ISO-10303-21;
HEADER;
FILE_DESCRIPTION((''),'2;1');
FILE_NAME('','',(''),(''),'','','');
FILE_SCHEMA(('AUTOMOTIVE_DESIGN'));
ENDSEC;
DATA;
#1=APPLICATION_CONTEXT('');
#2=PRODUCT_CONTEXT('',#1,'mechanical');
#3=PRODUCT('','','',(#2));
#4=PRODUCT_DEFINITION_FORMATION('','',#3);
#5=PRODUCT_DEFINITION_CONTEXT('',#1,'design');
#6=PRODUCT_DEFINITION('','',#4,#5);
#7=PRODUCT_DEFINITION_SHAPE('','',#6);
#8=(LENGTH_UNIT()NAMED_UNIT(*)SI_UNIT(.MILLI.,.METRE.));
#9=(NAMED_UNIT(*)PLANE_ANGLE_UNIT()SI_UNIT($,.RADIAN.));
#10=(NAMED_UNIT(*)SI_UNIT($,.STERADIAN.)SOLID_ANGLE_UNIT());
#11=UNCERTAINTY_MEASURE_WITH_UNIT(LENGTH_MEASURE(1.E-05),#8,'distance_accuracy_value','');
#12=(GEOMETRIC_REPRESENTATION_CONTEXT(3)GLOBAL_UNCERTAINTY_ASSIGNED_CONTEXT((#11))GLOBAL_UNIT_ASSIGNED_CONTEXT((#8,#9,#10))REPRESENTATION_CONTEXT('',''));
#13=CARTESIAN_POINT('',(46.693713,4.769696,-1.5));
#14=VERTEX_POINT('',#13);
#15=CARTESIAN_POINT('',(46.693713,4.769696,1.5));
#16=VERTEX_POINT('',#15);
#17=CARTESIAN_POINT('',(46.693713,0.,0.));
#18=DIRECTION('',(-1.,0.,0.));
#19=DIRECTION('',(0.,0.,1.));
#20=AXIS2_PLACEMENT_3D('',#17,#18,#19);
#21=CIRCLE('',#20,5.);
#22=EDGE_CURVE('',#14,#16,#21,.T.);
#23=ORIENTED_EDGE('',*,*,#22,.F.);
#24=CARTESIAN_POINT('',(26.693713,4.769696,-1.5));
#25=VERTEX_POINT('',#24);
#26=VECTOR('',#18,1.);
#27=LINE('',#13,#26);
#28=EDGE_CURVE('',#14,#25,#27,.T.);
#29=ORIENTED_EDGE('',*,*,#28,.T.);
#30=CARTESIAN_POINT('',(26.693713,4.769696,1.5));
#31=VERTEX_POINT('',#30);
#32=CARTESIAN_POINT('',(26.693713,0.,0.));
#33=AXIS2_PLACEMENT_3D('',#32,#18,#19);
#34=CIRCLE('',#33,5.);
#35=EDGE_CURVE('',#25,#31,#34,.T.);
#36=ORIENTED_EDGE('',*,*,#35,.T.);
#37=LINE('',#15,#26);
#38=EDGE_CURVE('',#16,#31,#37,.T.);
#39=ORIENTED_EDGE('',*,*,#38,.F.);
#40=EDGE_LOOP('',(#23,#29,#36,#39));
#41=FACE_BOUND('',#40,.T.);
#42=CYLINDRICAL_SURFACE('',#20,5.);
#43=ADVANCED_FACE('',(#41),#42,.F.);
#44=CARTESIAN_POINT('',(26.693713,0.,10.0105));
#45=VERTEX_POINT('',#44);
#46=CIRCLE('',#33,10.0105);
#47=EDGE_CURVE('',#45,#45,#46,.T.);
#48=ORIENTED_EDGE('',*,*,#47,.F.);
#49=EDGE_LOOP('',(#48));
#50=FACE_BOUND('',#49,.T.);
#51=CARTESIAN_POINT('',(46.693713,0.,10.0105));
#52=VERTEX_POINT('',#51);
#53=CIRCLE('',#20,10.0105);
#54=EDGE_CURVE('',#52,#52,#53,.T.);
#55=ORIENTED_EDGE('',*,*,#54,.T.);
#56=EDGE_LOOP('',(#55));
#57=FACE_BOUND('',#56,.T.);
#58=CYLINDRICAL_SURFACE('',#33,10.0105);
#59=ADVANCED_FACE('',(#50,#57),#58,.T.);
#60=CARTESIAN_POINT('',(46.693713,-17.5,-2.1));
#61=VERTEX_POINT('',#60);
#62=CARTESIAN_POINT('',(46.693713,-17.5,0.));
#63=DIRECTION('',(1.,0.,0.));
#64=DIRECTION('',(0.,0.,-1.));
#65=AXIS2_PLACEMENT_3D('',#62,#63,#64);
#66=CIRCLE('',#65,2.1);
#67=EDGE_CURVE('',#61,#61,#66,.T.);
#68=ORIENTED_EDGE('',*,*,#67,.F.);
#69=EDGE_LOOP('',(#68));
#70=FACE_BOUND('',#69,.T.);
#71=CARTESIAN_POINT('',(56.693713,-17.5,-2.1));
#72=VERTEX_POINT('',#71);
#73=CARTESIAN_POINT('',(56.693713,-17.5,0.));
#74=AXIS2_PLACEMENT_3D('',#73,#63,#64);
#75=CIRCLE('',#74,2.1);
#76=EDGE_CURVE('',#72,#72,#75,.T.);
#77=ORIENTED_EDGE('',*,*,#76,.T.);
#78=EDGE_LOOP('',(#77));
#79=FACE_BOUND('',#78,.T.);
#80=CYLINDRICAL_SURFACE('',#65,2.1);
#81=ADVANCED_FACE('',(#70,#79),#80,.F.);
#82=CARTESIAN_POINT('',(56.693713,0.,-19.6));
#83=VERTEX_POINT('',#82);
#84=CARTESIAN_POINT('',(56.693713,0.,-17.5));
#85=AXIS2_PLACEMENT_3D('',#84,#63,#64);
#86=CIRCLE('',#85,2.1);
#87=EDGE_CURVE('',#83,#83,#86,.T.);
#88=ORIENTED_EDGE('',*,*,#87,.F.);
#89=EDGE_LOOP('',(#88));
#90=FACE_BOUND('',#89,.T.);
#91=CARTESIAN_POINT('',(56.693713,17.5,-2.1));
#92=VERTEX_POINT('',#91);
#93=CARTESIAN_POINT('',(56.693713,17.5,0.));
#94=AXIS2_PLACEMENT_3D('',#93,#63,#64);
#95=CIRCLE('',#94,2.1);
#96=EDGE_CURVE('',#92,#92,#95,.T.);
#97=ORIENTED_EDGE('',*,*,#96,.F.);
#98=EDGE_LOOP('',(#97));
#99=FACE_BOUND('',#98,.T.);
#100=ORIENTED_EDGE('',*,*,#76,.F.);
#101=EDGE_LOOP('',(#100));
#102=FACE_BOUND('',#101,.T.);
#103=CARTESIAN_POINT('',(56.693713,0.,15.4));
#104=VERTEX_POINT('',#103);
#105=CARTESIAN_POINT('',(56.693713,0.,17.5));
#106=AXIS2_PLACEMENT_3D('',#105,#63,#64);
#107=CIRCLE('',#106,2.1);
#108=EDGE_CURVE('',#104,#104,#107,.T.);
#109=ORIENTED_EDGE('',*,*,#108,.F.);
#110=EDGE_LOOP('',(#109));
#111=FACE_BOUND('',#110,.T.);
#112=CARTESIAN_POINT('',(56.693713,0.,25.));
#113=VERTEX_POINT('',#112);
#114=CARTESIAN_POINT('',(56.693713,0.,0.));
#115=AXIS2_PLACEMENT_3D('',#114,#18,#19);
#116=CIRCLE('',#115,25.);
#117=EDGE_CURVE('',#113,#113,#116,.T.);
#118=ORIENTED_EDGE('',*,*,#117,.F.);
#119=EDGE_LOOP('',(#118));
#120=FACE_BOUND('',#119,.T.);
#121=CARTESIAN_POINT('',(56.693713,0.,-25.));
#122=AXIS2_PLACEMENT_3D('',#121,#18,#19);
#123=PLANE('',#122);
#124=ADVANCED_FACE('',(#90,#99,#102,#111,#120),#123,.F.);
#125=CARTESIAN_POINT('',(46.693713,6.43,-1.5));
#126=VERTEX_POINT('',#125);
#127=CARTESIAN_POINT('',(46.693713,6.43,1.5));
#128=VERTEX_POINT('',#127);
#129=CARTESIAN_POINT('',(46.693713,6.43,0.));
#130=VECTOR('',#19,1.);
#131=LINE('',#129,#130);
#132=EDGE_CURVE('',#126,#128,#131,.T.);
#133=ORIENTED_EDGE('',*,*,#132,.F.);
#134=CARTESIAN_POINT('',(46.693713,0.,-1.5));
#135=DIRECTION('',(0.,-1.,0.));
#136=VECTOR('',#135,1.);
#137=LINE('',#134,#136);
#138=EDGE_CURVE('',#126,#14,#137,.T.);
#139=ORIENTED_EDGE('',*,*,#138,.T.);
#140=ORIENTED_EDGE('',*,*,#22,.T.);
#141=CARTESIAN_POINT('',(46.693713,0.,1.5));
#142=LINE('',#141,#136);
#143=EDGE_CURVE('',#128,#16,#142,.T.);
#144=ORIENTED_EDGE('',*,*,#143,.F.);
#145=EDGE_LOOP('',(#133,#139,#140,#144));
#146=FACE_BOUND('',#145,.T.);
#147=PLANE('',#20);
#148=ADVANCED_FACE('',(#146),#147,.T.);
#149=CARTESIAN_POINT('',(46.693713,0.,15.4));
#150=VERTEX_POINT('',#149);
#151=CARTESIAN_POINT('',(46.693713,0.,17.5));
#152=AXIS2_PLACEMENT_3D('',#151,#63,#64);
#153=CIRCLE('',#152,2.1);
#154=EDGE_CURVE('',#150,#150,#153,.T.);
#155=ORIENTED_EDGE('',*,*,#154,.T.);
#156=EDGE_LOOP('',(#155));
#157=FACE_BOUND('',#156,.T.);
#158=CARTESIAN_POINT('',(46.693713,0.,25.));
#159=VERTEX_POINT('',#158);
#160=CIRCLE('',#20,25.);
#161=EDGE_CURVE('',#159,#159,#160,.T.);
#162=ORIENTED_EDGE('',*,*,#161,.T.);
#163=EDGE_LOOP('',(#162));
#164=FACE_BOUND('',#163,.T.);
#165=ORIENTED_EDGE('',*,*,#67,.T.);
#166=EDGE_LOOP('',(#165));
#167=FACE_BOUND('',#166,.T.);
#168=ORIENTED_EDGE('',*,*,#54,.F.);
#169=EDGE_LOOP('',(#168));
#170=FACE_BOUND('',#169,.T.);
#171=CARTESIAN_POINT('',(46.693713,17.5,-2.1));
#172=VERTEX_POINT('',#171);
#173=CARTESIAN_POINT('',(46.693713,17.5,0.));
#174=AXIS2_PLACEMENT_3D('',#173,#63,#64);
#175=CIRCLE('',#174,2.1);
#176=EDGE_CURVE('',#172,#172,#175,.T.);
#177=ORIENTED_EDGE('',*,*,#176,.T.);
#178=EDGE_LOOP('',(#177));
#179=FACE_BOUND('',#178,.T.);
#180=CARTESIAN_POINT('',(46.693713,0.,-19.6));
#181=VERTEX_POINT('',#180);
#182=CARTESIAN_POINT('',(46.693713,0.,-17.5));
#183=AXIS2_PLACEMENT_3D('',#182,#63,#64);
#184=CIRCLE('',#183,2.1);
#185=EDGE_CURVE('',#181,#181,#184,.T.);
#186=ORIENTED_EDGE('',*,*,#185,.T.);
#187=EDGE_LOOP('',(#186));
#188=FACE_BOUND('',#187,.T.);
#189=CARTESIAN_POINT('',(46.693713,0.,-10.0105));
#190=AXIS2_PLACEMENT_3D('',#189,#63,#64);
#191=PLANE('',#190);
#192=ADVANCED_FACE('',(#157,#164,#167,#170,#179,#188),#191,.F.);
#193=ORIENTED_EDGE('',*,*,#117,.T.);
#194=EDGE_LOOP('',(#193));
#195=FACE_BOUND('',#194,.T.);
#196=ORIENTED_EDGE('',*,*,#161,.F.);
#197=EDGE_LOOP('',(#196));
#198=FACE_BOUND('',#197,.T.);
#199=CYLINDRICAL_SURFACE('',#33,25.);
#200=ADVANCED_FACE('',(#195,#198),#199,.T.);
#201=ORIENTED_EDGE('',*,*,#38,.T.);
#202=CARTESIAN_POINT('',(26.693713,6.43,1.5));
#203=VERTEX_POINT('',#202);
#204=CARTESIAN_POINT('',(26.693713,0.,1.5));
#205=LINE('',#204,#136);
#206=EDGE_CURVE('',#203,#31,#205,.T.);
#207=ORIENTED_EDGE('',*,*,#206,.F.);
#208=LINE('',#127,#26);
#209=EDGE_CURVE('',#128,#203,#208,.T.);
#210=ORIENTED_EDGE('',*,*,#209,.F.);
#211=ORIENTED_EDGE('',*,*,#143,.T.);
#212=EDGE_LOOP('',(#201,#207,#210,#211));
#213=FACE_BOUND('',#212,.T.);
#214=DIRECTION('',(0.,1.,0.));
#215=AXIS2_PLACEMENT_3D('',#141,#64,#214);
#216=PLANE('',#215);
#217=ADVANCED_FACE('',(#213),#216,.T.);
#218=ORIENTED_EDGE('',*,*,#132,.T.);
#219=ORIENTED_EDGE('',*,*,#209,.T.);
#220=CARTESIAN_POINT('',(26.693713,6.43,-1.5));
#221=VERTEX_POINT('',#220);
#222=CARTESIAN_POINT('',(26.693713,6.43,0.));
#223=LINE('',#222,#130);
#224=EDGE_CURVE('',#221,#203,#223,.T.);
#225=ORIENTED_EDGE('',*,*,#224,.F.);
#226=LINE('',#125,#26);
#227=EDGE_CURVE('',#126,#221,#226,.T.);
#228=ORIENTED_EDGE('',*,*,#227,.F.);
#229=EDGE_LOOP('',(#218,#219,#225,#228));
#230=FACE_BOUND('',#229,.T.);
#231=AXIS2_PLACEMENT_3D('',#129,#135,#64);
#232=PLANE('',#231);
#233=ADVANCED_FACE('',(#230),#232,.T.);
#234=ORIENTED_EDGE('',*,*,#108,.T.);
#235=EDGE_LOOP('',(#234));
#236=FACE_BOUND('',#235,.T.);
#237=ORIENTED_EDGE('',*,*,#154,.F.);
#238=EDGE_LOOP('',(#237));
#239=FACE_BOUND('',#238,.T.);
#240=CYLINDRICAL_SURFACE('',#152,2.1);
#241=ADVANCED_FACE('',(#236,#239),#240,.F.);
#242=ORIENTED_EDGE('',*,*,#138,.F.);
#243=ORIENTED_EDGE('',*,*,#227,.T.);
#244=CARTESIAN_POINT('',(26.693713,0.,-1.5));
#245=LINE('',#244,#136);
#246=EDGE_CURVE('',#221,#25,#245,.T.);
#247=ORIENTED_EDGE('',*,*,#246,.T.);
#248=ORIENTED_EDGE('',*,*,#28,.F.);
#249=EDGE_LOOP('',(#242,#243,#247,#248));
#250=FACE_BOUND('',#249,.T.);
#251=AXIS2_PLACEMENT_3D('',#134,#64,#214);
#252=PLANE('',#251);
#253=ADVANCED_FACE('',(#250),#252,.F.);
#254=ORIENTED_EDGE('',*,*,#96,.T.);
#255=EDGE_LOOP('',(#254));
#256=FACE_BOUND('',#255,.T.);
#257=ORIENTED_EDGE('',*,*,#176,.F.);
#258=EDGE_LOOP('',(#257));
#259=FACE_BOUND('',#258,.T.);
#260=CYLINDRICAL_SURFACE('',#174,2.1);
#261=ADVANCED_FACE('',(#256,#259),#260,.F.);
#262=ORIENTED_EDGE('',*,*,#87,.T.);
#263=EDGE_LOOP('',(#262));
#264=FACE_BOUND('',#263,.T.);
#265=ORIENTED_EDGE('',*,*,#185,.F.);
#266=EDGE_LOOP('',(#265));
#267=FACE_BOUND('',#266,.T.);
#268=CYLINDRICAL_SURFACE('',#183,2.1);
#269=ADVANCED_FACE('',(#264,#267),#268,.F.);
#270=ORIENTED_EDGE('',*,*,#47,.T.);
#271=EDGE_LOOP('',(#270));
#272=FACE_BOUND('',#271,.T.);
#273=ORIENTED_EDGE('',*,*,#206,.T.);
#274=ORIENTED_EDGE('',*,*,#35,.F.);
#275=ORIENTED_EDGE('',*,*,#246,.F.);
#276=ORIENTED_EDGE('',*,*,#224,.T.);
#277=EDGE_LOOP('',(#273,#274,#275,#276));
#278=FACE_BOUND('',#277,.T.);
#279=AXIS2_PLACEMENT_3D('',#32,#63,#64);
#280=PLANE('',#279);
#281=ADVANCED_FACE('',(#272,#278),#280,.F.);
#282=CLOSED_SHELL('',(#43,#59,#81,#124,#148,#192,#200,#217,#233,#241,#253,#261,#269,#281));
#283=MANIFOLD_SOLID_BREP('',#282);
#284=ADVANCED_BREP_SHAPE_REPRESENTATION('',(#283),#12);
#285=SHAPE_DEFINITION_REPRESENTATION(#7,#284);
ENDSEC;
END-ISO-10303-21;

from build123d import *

# Parameters (mm, degrees)
CUT_EXTRUDE1_DEPTH = 20
SKETCH3_R          = 2.1
CUT_EXTRUDE2_DEPTH = 10


with BuildPart() as part:
    # Sketch1 → Revolve1 (revolve)
    with BuildSketch(Plane(origin=(0, 0, 0), x_dir=(1, 0, 0), z_dir=(0, 1, 0)), mode=Mode.PRIVATE) as revolve1_sk:
        Polygon((26.693713361, 0), (26.693713361, 10.0105), (46.693713361, 10.0105), (46.693713361, 25), (56.693713361, 25), (56.693713361, 0), align=None)
    revolve(revolve1_sk.sketch.rotate(Axis((26.693713361, 0, 0), (1, 0, 0)), 180), axis=Axis((26.693713361, 0, 0), (1, 0, 0)))

    # Sketch2 → Cut-Extrude1 (cut)
    with BuildSketch(Plane.ZY.offset(-26.693713361)):
        with BuildLine():
            ThreePointArc((1.5, 4.769696007), (0, 5), (-1.5, 4.769696007))
            Line((-1.5, 4.769696007), (-1.5, 3.57))
            Line((-1.5, 3.57), (1.5, 3.57))
            Line((1.5, 3.57), (1.5, 4.769696007))
        make_face()
        with BuildLine():
            Line((-1.5, 3.57), (-1.5, 4.769696007))
            ThreePointArc((-1.5, 4.769696007), (-2.958039892, -4.031128874), (5, 0))
            ThreePointArc((5, 0), (4.031128874, 2.958039892), (1.5, 4.769696007))
            Line((1.5, 4.769696007), (1.5, 3.57))
            Line((1.5, 3.57), (-1.5, 3.57))
        make_face()
        with BuildLine():
            Line((1.5, 6.43), (-1.5, 6.43))
            Line((-1.5, 6.43), (-1.5, 4.769696007))
            ThreePointArc((-1.5, 4.769696007), (0, 5), (1.5, 4.769696007))
            Line((1.5, 4.769696007), (1.5, 6.43))
        make_face()
    extrude(amount=-CUT_EXTRUDE1_DEPTH, mode=Mode.SUBTRACT)

    # Sketch3 → Cut-Extrude2 (cut)
    with BuildSketch(Plane(origin=(56.693713361, 0, 0), x_dir=(0, 0, -1), z_dir=(1, 0, 0))):
        with Locations((0, 17.5)):
            Circle(SKETCH3_R)
        with Locations((17.5, 0)):
            Circle(SKETCH3_R)
        with Locations((0, -17.5)):
            Circle(SKETCH3_R)
        with Locations((-17.5, 0)):
            Circle(SKETCH3_R)
    extrude(amount=-CUT_EXTRUDE2_DEPTH, mode=Mode.SUBTRACT)


solid = part.part
